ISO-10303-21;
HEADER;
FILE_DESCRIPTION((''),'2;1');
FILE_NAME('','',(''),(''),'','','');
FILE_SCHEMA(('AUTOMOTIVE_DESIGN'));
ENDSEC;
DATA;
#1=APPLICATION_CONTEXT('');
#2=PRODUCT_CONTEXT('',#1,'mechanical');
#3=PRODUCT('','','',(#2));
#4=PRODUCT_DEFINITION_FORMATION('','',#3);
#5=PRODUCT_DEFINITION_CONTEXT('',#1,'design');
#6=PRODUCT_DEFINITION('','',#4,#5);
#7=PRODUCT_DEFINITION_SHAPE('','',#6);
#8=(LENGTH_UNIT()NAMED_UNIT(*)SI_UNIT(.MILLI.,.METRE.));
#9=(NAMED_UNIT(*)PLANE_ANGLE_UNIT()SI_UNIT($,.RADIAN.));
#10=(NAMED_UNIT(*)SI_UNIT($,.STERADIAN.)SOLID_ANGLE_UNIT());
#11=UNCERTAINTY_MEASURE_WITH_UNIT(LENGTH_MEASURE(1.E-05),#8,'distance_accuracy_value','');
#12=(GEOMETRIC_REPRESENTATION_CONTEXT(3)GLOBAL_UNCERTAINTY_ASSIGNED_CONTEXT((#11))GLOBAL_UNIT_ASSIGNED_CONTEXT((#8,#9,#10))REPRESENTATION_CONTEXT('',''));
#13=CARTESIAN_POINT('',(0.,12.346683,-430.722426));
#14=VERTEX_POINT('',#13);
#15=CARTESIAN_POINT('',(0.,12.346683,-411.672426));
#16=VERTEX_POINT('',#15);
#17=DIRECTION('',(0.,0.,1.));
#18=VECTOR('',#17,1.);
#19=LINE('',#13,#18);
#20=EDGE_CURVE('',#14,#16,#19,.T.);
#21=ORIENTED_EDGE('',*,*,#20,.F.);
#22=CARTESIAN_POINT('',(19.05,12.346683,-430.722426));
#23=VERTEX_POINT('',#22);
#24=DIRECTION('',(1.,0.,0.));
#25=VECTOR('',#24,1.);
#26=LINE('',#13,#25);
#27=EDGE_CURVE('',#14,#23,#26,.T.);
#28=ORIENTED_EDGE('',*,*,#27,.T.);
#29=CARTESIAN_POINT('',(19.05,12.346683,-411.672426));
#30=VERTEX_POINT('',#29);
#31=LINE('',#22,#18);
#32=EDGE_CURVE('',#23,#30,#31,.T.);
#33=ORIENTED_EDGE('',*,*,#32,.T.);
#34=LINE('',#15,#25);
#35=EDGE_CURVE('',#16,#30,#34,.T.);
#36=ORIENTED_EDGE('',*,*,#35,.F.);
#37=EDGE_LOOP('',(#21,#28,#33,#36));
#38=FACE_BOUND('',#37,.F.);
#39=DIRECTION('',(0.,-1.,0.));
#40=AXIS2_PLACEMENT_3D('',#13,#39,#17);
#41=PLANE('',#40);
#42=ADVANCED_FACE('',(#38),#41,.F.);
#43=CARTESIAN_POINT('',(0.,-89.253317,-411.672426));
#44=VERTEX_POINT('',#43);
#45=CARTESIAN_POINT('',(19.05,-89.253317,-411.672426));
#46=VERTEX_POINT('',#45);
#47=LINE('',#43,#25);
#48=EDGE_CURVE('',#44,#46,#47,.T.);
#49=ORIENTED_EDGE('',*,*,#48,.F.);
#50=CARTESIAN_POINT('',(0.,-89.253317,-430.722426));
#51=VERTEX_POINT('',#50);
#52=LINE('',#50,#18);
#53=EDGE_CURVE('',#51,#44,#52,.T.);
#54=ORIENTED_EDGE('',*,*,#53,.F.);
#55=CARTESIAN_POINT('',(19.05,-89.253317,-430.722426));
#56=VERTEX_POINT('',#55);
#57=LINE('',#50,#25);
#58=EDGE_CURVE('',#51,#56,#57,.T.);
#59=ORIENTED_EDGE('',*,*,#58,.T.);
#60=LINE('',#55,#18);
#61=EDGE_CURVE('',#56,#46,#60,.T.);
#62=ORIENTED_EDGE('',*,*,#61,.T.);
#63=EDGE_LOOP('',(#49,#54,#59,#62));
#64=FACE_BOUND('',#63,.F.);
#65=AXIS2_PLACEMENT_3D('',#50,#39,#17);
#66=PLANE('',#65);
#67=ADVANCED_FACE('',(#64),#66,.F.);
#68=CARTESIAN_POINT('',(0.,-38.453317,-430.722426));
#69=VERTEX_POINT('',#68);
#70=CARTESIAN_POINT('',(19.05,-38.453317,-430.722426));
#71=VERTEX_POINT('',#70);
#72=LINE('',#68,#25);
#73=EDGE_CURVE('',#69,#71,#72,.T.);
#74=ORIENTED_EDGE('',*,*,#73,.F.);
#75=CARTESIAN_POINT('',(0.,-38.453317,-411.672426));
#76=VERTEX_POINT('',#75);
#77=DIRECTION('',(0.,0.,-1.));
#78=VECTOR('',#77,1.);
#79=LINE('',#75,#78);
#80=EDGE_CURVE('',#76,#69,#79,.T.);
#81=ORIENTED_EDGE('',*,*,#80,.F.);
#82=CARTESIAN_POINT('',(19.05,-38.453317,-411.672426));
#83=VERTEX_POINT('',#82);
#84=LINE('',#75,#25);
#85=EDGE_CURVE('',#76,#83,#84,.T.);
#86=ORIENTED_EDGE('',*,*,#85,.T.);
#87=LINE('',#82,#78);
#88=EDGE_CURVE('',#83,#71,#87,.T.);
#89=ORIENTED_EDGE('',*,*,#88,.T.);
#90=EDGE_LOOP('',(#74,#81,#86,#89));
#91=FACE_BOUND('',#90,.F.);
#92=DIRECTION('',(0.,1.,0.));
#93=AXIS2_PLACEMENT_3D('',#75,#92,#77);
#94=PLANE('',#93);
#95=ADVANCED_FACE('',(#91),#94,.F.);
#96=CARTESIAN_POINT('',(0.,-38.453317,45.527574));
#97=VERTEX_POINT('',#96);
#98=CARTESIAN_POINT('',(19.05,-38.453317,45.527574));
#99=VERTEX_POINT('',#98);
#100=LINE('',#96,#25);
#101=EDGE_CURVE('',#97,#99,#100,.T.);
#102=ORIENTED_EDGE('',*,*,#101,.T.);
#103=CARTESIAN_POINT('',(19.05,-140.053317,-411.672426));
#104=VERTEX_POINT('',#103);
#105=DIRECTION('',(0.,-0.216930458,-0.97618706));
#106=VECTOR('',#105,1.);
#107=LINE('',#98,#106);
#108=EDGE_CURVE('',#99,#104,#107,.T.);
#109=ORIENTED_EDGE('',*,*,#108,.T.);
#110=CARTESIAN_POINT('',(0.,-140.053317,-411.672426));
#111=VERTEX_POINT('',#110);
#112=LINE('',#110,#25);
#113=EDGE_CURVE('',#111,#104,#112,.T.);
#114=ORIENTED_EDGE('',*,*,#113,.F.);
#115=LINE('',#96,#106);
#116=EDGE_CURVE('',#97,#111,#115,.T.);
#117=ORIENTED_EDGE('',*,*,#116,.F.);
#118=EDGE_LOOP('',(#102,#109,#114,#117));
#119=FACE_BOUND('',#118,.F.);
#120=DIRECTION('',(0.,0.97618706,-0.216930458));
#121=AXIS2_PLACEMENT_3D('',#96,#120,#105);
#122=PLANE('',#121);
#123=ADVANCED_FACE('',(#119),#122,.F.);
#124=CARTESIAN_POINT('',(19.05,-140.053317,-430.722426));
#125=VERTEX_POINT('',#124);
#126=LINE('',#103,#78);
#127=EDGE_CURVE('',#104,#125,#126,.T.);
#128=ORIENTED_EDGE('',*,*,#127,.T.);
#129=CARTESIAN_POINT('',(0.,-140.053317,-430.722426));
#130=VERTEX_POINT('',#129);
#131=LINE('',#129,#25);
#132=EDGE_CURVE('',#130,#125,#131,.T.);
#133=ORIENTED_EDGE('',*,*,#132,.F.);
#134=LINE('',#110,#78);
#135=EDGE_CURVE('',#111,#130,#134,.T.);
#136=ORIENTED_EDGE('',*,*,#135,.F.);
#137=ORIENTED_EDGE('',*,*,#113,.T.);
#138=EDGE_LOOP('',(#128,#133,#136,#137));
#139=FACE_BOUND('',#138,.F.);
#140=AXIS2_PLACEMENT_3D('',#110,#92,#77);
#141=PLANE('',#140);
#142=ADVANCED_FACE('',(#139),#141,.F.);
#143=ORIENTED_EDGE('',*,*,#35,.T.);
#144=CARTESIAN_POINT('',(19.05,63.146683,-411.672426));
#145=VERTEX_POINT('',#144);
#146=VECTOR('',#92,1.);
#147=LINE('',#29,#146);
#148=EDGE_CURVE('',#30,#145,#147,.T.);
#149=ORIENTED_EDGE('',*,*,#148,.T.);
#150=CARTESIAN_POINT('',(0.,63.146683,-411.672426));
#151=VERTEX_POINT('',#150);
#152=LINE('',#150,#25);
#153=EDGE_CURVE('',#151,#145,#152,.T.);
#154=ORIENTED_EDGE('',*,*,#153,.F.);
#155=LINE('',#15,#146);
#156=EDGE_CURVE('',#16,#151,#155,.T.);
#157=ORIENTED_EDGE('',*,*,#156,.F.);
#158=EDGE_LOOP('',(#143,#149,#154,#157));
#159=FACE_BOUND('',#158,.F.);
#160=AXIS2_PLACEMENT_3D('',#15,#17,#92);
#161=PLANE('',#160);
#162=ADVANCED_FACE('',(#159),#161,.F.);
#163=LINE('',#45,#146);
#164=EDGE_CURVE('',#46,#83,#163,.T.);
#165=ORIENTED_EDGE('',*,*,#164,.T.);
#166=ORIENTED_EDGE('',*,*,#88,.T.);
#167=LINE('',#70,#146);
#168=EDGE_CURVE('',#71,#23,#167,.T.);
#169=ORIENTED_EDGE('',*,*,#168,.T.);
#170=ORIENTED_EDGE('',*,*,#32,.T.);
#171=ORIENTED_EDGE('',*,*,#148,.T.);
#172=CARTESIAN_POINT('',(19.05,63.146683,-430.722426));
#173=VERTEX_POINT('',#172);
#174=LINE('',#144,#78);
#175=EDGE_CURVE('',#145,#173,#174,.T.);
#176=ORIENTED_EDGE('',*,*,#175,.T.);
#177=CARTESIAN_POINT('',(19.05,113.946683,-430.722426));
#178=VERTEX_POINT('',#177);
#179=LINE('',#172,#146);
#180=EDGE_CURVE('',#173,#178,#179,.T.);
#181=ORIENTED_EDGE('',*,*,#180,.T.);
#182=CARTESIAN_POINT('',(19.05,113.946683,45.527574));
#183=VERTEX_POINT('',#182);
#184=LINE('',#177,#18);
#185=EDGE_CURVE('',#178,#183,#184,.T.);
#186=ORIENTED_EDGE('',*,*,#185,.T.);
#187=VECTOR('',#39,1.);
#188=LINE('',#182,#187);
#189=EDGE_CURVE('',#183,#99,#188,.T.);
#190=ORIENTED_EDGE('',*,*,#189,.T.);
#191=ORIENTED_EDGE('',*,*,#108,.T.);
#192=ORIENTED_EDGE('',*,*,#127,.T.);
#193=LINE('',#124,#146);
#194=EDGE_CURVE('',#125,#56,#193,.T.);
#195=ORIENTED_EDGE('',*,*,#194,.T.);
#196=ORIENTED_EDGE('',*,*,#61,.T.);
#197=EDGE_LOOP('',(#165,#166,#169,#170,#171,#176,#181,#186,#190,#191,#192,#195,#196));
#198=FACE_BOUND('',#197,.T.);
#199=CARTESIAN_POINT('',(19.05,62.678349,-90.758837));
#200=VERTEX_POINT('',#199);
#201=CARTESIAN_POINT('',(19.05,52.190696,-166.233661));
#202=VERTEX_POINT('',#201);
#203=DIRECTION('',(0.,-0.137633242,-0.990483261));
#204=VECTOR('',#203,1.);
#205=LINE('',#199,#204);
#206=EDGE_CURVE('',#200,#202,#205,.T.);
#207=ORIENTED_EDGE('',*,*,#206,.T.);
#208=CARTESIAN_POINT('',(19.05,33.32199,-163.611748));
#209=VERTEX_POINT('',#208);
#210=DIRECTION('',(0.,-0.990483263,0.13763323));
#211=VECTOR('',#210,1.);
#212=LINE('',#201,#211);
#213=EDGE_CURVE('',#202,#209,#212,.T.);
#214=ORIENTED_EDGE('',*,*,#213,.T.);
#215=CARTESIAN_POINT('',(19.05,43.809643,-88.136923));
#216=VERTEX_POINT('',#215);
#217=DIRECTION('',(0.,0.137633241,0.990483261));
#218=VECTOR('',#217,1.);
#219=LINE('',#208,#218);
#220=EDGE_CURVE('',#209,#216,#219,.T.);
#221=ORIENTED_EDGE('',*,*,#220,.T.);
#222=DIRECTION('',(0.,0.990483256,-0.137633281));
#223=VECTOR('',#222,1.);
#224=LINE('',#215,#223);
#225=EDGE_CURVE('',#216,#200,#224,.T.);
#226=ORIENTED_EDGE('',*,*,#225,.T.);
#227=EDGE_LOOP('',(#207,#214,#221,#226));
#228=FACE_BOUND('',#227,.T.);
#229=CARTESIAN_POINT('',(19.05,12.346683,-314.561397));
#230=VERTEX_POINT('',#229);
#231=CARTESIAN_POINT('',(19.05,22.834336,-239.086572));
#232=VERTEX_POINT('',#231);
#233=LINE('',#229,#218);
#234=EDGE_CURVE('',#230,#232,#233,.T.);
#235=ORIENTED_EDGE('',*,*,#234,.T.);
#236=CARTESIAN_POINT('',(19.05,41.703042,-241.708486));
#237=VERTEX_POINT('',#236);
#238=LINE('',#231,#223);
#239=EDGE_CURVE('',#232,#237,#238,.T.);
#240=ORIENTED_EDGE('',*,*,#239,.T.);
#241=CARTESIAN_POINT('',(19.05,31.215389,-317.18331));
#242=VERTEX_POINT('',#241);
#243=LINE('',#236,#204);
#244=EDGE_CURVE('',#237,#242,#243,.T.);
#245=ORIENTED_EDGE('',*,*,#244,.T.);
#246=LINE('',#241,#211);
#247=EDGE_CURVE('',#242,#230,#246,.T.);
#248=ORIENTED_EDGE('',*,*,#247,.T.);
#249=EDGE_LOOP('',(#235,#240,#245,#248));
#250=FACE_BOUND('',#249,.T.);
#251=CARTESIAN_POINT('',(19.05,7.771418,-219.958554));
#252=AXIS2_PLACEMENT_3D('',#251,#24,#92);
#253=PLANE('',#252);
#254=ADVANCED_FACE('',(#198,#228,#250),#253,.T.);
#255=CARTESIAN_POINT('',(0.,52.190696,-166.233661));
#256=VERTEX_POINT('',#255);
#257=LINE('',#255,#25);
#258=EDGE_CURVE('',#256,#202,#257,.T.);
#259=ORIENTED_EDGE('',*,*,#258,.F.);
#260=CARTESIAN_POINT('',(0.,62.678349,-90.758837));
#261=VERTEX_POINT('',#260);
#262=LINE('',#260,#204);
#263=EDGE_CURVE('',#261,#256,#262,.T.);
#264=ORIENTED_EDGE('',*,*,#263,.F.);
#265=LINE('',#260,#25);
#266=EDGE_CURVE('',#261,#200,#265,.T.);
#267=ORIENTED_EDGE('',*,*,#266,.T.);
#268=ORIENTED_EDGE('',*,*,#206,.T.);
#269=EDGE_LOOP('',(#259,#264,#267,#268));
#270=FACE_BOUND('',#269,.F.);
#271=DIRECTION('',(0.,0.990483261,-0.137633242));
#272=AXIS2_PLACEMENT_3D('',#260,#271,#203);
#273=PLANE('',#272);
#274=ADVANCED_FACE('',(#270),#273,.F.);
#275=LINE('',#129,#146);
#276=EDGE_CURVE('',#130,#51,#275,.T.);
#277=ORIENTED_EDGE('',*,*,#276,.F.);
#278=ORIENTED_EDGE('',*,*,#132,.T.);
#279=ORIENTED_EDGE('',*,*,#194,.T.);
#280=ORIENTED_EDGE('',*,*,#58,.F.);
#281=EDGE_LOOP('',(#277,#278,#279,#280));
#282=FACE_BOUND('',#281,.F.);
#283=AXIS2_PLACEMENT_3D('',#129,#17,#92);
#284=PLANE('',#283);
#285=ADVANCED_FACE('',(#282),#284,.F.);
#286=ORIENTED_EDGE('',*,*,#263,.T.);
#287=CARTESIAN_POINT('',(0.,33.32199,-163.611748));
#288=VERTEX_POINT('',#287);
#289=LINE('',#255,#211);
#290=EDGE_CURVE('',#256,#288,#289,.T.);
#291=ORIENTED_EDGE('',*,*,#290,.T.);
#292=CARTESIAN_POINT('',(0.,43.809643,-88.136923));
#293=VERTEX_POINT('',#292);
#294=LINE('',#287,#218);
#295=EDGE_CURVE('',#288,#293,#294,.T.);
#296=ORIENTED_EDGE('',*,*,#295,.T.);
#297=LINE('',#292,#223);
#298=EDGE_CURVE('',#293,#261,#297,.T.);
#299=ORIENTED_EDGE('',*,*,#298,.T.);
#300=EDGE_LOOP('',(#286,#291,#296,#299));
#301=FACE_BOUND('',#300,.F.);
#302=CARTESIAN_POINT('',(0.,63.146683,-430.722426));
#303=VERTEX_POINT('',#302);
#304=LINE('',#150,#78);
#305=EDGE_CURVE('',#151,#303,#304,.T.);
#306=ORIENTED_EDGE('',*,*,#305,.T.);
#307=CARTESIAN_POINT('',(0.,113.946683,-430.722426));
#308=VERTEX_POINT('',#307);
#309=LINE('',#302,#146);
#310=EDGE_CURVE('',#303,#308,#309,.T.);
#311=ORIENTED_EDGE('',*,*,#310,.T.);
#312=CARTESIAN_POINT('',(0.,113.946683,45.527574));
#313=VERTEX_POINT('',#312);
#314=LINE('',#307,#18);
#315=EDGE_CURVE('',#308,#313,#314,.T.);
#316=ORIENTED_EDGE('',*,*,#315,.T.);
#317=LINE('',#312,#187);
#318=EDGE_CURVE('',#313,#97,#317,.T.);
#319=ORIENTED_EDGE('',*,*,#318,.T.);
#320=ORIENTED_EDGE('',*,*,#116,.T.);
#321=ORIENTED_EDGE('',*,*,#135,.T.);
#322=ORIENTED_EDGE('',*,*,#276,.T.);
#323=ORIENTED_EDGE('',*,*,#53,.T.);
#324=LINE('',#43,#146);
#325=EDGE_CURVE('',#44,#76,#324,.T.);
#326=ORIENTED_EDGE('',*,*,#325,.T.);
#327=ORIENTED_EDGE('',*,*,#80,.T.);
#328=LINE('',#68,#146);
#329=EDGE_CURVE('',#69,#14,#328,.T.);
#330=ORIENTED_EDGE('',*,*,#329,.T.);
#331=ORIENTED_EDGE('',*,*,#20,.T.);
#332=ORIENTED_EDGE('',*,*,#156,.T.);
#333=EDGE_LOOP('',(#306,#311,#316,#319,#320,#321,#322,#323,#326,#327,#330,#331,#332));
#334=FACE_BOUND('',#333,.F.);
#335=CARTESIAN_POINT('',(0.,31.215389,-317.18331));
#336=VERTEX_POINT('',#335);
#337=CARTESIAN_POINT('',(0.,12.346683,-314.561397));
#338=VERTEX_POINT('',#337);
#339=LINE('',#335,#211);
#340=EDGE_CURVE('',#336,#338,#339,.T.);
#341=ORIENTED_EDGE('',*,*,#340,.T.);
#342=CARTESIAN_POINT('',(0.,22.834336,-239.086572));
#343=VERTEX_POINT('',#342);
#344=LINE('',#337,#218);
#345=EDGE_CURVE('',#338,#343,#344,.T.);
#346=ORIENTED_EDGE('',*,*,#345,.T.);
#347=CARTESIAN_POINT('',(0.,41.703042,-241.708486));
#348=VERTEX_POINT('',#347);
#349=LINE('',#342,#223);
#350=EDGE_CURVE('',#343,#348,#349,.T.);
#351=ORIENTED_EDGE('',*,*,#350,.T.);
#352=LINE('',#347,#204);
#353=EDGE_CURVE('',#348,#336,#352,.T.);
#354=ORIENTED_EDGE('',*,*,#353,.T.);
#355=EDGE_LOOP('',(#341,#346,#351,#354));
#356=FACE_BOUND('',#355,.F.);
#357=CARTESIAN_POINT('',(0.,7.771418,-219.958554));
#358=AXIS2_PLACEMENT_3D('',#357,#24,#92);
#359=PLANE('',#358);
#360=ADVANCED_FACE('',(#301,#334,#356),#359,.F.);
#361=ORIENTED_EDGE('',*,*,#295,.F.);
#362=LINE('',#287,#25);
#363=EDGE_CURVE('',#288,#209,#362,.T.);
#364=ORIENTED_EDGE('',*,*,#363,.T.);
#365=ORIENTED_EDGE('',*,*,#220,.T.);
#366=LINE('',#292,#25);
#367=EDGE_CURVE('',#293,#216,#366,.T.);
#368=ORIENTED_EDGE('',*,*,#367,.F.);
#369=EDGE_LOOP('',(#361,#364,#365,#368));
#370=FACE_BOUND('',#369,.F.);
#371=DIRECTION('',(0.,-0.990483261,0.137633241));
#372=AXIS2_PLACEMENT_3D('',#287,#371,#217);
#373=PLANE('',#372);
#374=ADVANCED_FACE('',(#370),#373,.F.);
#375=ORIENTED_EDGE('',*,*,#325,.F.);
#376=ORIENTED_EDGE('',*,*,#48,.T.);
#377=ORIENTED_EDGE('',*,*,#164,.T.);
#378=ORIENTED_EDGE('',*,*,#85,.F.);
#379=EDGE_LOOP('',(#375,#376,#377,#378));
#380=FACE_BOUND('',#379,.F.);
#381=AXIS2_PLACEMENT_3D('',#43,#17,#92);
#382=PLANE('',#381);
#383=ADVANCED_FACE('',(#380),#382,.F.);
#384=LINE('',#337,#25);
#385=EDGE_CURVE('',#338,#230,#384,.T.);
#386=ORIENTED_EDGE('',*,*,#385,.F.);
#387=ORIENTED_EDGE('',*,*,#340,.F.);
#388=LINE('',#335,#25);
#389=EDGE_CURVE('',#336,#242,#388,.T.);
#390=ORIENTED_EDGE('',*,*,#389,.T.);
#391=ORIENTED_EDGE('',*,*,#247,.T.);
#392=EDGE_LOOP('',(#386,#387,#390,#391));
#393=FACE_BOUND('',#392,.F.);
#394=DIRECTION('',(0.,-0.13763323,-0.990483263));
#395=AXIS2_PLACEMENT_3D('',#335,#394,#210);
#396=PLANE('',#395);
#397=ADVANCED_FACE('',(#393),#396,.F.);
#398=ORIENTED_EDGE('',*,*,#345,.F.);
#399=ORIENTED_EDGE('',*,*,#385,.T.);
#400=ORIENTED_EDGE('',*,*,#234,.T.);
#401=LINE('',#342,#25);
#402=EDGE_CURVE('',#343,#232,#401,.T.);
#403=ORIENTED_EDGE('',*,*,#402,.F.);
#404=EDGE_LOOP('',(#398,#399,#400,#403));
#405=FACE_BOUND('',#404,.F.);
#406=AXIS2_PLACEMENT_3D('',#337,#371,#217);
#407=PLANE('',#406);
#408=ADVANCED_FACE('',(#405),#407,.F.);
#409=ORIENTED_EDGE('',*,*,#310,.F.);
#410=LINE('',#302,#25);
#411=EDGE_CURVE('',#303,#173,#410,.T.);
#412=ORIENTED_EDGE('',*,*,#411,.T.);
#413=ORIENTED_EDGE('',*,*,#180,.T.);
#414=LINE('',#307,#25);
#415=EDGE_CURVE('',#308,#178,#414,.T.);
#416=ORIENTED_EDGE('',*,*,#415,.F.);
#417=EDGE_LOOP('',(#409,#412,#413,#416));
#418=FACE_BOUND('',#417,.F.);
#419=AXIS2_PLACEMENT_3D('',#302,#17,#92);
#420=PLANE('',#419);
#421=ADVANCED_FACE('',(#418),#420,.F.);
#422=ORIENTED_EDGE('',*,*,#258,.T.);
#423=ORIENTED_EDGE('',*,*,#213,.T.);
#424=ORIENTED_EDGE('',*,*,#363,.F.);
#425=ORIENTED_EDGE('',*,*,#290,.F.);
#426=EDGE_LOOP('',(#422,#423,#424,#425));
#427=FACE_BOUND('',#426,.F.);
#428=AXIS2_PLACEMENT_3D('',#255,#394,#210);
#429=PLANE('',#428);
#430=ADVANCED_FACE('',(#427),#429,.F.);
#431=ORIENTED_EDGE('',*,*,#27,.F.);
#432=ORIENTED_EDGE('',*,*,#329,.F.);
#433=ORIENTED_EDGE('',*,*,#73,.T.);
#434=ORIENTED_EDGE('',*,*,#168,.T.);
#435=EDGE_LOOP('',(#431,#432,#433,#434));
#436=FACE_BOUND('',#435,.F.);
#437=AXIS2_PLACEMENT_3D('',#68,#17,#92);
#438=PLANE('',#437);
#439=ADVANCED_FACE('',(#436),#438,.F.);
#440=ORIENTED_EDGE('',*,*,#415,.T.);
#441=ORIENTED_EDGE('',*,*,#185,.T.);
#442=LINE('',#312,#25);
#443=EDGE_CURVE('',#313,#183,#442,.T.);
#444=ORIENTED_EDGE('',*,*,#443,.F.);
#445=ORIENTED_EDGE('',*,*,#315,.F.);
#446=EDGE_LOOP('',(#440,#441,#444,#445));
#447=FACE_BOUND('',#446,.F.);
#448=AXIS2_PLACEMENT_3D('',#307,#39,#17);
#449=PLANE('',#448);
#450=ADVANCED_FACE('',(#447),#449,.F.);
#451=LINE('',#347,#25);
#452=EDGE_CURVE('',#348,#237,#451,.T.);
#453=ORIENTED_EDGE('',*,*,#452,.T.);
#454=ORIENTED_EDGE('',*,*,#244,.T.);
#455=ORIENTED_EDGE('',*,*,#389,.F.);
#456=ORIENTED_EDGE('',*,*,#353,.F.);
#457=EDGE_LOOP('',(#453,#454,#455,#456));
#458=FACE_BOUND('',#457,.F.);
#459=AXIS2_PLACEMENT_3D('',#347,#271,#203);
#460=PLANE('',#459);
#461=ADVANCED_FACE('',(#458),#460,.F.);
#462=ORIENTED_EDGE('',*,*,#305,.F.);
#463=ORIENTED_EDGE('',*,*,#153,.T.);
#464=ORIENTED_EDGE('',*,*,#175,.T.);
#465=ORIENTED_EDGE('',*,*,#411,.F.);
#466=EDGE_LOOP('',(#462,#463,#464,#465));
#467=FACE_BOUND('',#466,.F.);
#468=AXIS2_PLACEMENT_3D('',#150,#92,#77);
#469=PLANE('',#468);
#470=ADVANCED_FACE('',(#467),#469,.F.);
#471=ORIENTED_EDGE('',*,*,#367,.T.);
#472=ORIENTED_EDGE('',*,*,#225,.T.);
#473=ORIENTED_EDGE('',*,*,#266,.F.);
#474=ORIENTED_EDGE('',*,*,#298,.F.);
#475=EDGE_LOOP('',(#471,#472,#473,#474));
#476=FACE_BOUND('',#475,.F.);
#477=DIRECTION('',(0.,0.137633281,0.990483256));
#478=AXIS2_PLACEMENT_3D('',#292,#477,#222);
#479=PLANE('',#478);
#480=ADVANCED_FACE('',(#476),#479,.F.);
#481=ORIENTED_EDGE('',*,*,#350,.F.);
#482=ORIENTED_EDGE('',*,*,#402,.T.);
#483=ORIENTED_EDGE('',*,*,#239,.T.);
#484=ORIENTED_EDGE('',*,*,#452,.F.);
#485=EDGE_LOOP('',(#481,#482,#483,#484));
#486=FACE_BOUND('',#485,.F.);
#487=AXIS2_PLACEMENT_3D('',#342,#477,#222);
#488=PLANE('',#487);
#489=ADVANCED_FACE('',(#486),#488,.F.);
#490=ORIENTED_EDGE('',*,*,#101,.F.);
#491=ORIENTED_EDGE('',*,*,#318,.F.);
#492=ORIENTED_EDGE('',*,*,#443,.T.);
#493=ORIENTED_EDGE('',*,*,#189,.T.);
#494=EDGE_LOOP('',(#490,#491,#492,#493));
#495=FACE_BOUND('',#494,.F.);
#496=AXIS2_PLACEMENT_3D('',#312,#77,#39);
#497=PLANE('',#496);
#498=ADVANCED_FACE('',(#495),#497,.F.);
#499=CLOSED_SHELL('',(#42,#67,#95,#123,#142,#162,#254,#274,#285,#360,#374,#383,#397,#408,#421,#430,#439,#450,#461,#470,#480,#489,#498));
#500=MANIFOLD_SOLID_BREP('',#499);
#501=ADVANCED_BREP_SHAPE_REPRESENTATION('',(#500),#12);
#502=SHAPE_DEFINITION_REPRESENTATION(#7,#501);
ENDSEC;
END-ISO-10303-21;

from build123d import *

# Parameters (mm, degrees)
F1_DEPTH = 19.05
F2_DEPTH = 19.05


with BuildPart() as f1:
    # F0 (on Right) → F1 (new body)
    with BuildSketch(Plane.YZ):
        Polygon((113.946683, 45.527574), (-38.453317, 45.527574), (-140.053317, -411.672426), (-140.053317, -430.722426), (-89.253317, -430.722426), (-89.253317, -411.672426), (-38.453317, -411.672426), (-38.453317, -430.722426), (12.346683, -430.722426), (12.346683, -411.672426), (63.146683, -411.672426), (63.146683, -430.722426), (113.946683, -430.722426), (113.946683, -411.672426), (113.946683, -335.472426), (113.946683, -259.272426), (113.946683, -183.072426), (113.946683, -106.872426), (113.946683, -30.672426), align=None)
        Polygon((22.834336, -239.086572), (41.703042, -241.708486), (31.215389, -317.18331), (12.346683, -314.561397), align=None, mode=Mode.SUBTRACT)
        Polygon((43.809643, -88.136923), (62.678349, -90.758837), (52.190696, -166.233661), (33.32199, -163.611748), align=None, mode=Mode.SUBTRACT)
    extrude(amount=F1_DEPTH)

    # F0 (on Right) → F2 (join)
    with BuildSketch(Plane.YZ):
        Polygon((113.946683, 45.527574), (-38.453317, 45.527574), (-140.053317, -411.672426), (-140.053317, -430.722426), (-89.253317, -430.722426), (-89.253317, -411.672426), (-38.453317, -411.672426), (-38.453317, -430.722426), (12.346683, -430.722426), (12.346683, -411.672426), (63.146683, -411.672426), (63.146683, -430.722426), (113.946683, -430.722426), (113.946683, -411.672426), (113.946683, -335.472426), (113.946683, -259.272426), (113.946683, -183.072426), (113.946683, -106.872426), (113.946683, -30.672426), align=None)
        Polygon((22.834336, -239.086572), (41.703042, -241.708486), (31.215389, -317.18331), (12.346683, -314.561397), align=None, mode=Mode.SUBTRACT)
        Polygon((43.809643, -88.136923), (62.678349, -90.758837), (52.190696, -166.233661), (33.32199, -163.611748), align=None, mode=Mode.SUBTRACT)
    extrude(amount=F2_DEPTH)


solid = f1.part
